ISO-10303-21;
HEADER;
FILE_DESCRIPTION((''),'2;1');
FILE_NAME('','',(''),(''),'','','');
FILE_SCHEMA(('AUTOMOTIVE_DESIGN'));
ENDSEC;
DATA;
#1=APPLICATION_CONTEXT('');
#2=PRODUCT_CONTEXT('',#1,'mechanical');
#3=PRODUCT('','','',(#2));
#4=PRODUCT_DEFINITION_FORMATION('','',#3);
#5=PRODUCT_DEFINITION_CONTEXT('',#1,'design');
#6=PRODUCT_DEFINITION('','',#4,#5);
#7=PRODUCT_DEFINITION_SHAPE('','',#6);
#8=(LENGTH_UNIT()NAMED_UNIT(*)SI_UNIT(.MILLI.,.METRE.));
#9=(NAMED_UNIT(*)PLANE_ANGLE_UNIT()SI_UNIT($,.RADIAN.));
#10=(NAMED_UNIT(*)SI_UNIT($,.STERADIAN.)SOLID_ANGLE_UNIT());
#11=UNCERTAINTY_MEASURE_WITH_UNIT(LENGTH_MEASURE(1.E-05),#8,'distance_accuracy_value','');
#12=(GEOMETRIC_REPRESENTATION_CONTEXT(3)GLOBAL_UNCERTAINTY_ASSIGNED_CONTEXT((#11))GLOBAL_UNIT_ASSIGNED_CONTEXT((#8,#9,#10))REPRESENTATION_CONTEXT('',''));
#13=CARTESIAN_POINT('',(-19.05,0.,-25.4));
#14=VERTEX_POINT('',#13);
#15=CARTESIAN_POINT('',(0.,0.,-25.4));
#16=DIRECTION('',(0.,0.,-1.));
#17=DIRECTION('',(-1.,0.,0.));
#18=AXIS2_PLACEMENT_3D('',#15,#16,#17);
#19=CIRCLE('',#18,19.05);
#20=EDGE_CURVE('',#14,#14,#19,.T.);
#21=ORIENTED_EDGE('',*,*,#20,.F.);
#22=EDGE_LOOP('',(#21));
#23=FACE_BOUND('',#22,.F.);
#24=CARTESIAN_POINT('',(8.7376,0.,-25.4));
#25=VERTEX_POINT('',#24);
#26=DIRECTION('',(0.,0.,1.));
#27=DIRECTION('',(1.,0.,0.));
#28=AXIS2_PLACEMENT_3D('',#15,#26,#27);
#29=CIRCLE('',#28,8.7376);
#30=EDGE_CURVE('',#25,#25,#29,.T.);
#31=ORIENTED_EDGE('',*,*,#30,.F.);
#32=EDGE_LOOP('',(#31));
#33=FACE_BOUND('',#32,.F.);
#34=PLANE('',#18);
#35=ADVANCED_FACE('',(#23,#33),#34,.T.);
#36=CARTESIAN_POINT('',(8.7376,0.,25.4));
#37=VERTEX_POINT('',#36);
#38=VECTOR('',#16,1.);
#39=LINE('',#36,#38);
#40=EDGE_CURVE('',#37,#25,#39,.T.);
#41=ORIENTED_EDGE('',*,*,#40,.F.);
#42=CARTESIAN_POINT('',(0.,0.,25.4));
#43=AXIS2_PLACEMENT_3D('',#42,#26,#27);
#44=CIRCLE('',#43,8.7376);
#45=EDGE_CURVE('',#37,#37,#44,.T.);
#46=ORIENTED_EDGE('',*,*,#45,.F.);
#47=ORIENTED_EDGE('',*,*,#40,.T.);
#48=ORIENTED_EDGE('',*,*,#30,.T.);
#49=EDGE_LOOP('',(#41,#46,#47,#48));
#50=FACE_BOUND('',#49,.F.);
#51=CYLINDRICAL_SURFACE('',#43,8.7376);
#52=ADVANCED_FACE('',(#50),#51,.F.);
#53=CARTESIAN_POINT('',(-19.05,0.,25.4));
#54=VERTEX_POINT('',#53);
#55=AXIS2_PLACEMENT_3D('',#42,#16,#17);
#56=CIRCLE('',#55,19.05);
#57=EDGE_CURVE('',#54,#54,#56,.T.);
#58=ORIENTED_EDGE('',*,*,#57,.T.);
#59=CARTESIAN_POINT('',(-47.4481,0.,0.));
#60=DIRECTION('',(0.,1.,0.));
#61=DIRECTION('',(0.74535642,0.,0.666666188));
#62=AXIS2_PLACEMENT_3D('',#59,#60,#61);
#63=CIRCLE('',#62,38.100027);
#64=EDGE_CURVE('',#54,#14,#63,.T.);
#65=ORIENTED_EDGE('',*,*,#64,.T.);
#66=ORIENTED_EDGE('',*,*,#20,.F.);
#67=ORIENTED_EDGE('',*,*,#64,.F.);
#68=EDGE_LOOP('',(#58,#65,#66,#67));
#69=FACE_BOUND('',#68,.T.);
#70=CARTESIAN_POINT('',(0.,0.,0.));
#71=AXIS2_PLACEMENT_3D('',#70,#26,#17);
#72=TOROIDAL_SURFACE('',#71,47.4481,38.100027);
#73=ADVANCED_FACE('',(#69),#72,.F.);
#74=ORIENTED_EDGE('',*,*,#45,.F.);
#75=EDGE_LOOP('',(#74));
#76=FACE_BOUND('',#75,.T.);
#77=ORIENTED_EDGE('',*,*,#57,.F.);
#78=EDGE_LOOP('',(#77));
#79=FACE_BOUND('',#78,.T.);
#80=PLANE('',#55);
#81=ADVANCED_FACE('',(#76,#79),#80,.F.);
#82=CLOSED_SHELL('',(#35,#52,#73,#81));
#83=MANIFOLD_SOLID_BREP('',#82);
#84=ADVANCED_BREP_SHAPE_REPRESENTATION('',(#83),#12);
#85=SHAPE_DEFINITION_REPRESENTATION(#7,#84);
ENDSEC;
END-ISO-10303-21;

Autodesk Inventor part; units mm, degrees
ref_plane "YZ Plane" through (0, 0, 0) normal (1, 0, 0) x (0, 1, 0)
ref_plane "XZ Plane" through (0, 0, 0) normal (0, 1, 0) x (-1, 0, 0)
ref_plane "XY Plane" through (0, 0, 0) normal (0, 0, 1) x (1, 0, 0)
sketch "Sketch1" plane through (0, 0, 0) normal (0, 1, 0) x (-1, 0, 0)
  line L0 (0, 25.4) -> (0, -25.4)
  line L1 (0, 25.4) -> (19.05, 25.4)
  line L2 (0, -25.4) -> (19.05, -25.4)
  arc A0 (19.05, 25.4) -> (19.05, -25.4) centre (47.4481, 0) ccw
  point P0 (0, 0)
  point P1 (0, 0)
  dimension "d0" = 50.8
  dimension "d1" = 19.05
  dimension "d2" = 38.1
revolve "Revolution1" add sketch "Sketch1" angle 360 about axis through (0, 0, 25.4) along (0, 0, -1)
sketch "Sketch2" plane through (0, 0, 25.4) normal (0, 0, 1) x (1, 0, 0)
  circle A0 centre (0, 0) radius 8.7376
  dimension "d4" = 17.4752
extrude "Extrusion1" cut sketch "Sketch2" against normal through all
properties part number "EL2-029" material "ABS Plastic"
